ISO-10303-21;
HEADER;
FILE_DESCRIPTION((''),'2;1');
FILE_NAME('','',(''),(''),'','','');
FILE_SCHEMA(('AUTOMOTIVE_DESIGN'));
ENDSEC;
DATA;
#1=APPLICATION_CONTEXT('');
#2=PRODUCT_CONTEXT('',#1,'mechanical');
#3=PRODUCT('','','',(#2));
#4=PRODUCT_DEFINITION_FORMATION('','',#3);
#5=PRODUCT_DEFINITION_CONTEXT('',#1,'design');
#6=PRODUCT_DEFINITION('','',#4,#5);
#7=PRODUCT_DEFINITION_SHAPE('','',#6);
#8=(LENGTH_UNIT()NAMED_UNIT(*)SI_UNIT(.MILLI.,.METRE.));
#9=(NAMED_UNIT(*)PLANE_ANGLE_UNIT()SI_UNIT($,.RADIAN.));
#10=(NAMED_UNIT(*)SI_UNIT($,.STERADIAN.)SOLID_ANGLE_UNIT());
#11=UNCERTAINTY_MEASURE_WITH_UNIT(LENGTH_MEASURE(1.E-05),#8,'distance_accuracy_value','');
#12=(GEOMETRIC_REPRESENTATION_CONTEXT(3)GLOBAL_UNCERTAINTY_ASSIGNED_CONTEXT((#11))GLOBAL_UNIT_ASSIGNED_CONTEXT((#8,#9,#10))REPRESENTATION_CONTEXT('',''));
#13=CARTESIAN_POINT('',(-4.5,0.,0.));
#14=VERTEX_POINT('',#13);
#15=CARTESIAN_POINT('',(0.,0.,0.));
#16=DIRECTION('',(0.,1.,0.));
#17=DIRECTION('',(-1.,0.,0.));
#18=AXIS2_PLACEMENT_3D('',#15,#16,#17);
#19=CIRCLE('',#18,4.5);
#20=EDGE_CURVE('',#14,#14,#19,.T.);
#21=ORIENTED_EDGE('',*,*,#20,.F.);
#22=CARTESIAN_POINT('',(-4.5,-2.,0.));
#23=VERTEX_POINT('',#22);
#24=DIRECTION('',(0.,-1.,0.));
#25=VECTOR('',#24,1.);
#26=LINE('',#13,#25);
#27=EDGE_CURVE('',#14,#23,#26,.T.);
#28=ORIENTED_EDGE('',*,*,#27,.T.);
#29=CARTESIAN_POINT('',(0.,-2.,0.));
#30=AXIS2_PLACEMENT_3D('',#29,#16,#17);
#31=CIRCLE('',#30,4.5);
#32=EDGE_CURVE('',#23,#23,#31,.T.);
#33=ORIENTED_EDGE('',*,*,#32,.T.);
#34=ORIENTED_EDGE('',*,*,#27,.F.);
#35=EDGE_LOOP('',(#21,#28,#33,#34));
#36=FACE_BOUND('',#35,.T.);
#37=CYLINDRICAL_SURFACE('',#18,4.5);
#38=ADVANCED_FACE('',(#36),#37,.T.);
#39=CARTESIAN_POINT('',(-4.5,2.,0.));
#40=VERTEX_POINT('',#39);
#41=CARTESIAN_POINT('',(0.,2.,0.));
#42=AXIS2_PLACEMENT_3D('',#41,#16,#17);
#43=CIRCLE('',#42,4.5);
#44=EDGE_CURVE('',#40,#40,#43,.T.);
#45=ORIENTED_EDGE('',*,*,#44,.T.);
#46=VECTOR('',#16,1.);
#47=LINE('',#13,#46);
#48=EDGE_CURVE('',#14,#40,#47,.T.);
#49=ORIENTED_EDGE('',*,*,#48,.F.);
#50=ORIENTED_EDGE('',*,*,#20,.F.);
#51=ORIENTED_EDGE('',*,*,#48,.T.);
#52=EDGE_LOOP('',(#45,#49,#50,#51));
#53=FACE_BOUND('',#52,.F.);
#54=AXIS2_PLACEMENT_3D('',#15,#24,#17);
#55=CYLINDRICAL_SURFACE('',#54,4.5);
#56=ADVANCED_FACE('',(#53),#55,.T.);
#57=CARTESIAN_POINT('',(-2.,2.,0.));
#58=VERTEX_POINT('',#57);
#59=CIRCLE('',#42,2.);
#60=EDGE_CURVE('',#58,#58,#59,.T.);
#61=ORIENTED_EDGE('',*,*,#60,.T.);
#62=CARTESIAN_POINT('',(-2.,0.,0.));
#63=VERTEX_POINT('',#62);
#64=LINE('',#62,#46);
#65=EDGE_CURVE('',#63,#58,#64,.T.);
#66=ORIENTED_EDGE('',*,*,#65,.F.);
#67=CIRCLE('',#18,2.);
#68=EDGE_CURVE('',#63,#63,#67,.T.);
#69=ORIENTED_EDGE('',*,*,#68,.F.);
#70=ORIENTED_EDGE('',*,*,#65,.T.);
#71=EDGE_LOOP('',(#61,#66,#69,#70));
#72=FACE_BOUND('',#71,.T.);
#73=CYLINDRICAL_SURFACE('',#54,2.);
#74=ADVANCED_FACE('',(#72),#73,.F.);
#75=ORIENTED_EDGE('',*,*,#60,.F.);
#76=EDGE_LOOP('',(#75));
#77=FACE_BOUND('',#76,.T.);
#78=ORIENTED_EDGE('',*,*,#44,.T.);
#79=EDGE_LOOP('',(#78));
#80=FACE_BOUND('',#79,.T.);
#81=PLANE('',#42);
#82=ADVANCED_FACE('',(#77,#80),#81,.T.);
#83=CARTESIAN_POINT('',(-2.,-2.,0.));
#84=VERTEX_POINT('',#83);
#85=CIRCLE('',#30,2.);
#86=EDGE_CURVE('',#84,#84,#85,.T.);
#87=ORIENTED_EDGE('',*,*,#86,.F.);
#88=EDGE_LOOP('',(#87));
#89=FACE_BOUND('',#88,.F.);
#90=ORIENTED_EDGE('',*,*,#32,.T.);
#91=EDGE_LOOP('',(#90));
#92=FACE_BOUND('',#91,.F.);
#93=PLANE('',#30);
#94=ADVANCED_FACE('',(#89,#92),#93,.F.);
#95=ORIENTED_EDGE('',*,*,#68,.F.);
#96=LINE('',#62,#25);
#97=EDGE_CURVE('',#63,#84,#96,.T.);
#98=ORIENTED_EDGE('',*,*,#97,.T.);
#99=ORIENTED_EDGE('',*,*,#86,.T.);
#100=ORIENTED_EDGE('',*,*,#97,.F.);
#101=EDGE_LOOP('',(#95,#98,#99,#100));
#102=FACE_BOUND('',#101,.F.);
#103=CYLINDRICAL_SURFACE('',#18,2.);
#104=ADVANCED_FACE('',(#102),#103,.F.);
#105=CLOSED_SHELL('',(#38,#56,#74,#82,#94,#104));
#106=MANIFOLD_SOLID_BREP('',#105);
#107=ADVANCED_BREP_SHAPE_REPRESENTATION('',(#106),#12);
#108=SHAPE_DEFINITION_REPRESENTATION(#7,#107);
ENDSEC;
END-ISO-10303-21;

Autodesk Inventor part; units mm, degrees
ref_plane "YZ Plane" through (0, 0, 0) normal (1, 0, 0) x (0, 1, 0)
ref_plane "XZ Plane" through (0, 0, 0) normal (0, 1, 0) x (-1, 0, 0)
ref_plane "XY Plane" through (0, 0, 0) normal (0, 0, 1) x (1, 0, 0)
sketch "Sketch1" plane through (0, 0, 0) normal (0, 1, 0) x (-1, 0, 0)
  circle A0 centre (0, 0) radius 4.5
  circle A1 centre (0, 0) radius 2
  dimension "d0" = 9
  dimension "d1" = 4
extrude "Extrusion1" add sketch "Sketch1" along normal mid plane 4
properties part number "bearing494"
